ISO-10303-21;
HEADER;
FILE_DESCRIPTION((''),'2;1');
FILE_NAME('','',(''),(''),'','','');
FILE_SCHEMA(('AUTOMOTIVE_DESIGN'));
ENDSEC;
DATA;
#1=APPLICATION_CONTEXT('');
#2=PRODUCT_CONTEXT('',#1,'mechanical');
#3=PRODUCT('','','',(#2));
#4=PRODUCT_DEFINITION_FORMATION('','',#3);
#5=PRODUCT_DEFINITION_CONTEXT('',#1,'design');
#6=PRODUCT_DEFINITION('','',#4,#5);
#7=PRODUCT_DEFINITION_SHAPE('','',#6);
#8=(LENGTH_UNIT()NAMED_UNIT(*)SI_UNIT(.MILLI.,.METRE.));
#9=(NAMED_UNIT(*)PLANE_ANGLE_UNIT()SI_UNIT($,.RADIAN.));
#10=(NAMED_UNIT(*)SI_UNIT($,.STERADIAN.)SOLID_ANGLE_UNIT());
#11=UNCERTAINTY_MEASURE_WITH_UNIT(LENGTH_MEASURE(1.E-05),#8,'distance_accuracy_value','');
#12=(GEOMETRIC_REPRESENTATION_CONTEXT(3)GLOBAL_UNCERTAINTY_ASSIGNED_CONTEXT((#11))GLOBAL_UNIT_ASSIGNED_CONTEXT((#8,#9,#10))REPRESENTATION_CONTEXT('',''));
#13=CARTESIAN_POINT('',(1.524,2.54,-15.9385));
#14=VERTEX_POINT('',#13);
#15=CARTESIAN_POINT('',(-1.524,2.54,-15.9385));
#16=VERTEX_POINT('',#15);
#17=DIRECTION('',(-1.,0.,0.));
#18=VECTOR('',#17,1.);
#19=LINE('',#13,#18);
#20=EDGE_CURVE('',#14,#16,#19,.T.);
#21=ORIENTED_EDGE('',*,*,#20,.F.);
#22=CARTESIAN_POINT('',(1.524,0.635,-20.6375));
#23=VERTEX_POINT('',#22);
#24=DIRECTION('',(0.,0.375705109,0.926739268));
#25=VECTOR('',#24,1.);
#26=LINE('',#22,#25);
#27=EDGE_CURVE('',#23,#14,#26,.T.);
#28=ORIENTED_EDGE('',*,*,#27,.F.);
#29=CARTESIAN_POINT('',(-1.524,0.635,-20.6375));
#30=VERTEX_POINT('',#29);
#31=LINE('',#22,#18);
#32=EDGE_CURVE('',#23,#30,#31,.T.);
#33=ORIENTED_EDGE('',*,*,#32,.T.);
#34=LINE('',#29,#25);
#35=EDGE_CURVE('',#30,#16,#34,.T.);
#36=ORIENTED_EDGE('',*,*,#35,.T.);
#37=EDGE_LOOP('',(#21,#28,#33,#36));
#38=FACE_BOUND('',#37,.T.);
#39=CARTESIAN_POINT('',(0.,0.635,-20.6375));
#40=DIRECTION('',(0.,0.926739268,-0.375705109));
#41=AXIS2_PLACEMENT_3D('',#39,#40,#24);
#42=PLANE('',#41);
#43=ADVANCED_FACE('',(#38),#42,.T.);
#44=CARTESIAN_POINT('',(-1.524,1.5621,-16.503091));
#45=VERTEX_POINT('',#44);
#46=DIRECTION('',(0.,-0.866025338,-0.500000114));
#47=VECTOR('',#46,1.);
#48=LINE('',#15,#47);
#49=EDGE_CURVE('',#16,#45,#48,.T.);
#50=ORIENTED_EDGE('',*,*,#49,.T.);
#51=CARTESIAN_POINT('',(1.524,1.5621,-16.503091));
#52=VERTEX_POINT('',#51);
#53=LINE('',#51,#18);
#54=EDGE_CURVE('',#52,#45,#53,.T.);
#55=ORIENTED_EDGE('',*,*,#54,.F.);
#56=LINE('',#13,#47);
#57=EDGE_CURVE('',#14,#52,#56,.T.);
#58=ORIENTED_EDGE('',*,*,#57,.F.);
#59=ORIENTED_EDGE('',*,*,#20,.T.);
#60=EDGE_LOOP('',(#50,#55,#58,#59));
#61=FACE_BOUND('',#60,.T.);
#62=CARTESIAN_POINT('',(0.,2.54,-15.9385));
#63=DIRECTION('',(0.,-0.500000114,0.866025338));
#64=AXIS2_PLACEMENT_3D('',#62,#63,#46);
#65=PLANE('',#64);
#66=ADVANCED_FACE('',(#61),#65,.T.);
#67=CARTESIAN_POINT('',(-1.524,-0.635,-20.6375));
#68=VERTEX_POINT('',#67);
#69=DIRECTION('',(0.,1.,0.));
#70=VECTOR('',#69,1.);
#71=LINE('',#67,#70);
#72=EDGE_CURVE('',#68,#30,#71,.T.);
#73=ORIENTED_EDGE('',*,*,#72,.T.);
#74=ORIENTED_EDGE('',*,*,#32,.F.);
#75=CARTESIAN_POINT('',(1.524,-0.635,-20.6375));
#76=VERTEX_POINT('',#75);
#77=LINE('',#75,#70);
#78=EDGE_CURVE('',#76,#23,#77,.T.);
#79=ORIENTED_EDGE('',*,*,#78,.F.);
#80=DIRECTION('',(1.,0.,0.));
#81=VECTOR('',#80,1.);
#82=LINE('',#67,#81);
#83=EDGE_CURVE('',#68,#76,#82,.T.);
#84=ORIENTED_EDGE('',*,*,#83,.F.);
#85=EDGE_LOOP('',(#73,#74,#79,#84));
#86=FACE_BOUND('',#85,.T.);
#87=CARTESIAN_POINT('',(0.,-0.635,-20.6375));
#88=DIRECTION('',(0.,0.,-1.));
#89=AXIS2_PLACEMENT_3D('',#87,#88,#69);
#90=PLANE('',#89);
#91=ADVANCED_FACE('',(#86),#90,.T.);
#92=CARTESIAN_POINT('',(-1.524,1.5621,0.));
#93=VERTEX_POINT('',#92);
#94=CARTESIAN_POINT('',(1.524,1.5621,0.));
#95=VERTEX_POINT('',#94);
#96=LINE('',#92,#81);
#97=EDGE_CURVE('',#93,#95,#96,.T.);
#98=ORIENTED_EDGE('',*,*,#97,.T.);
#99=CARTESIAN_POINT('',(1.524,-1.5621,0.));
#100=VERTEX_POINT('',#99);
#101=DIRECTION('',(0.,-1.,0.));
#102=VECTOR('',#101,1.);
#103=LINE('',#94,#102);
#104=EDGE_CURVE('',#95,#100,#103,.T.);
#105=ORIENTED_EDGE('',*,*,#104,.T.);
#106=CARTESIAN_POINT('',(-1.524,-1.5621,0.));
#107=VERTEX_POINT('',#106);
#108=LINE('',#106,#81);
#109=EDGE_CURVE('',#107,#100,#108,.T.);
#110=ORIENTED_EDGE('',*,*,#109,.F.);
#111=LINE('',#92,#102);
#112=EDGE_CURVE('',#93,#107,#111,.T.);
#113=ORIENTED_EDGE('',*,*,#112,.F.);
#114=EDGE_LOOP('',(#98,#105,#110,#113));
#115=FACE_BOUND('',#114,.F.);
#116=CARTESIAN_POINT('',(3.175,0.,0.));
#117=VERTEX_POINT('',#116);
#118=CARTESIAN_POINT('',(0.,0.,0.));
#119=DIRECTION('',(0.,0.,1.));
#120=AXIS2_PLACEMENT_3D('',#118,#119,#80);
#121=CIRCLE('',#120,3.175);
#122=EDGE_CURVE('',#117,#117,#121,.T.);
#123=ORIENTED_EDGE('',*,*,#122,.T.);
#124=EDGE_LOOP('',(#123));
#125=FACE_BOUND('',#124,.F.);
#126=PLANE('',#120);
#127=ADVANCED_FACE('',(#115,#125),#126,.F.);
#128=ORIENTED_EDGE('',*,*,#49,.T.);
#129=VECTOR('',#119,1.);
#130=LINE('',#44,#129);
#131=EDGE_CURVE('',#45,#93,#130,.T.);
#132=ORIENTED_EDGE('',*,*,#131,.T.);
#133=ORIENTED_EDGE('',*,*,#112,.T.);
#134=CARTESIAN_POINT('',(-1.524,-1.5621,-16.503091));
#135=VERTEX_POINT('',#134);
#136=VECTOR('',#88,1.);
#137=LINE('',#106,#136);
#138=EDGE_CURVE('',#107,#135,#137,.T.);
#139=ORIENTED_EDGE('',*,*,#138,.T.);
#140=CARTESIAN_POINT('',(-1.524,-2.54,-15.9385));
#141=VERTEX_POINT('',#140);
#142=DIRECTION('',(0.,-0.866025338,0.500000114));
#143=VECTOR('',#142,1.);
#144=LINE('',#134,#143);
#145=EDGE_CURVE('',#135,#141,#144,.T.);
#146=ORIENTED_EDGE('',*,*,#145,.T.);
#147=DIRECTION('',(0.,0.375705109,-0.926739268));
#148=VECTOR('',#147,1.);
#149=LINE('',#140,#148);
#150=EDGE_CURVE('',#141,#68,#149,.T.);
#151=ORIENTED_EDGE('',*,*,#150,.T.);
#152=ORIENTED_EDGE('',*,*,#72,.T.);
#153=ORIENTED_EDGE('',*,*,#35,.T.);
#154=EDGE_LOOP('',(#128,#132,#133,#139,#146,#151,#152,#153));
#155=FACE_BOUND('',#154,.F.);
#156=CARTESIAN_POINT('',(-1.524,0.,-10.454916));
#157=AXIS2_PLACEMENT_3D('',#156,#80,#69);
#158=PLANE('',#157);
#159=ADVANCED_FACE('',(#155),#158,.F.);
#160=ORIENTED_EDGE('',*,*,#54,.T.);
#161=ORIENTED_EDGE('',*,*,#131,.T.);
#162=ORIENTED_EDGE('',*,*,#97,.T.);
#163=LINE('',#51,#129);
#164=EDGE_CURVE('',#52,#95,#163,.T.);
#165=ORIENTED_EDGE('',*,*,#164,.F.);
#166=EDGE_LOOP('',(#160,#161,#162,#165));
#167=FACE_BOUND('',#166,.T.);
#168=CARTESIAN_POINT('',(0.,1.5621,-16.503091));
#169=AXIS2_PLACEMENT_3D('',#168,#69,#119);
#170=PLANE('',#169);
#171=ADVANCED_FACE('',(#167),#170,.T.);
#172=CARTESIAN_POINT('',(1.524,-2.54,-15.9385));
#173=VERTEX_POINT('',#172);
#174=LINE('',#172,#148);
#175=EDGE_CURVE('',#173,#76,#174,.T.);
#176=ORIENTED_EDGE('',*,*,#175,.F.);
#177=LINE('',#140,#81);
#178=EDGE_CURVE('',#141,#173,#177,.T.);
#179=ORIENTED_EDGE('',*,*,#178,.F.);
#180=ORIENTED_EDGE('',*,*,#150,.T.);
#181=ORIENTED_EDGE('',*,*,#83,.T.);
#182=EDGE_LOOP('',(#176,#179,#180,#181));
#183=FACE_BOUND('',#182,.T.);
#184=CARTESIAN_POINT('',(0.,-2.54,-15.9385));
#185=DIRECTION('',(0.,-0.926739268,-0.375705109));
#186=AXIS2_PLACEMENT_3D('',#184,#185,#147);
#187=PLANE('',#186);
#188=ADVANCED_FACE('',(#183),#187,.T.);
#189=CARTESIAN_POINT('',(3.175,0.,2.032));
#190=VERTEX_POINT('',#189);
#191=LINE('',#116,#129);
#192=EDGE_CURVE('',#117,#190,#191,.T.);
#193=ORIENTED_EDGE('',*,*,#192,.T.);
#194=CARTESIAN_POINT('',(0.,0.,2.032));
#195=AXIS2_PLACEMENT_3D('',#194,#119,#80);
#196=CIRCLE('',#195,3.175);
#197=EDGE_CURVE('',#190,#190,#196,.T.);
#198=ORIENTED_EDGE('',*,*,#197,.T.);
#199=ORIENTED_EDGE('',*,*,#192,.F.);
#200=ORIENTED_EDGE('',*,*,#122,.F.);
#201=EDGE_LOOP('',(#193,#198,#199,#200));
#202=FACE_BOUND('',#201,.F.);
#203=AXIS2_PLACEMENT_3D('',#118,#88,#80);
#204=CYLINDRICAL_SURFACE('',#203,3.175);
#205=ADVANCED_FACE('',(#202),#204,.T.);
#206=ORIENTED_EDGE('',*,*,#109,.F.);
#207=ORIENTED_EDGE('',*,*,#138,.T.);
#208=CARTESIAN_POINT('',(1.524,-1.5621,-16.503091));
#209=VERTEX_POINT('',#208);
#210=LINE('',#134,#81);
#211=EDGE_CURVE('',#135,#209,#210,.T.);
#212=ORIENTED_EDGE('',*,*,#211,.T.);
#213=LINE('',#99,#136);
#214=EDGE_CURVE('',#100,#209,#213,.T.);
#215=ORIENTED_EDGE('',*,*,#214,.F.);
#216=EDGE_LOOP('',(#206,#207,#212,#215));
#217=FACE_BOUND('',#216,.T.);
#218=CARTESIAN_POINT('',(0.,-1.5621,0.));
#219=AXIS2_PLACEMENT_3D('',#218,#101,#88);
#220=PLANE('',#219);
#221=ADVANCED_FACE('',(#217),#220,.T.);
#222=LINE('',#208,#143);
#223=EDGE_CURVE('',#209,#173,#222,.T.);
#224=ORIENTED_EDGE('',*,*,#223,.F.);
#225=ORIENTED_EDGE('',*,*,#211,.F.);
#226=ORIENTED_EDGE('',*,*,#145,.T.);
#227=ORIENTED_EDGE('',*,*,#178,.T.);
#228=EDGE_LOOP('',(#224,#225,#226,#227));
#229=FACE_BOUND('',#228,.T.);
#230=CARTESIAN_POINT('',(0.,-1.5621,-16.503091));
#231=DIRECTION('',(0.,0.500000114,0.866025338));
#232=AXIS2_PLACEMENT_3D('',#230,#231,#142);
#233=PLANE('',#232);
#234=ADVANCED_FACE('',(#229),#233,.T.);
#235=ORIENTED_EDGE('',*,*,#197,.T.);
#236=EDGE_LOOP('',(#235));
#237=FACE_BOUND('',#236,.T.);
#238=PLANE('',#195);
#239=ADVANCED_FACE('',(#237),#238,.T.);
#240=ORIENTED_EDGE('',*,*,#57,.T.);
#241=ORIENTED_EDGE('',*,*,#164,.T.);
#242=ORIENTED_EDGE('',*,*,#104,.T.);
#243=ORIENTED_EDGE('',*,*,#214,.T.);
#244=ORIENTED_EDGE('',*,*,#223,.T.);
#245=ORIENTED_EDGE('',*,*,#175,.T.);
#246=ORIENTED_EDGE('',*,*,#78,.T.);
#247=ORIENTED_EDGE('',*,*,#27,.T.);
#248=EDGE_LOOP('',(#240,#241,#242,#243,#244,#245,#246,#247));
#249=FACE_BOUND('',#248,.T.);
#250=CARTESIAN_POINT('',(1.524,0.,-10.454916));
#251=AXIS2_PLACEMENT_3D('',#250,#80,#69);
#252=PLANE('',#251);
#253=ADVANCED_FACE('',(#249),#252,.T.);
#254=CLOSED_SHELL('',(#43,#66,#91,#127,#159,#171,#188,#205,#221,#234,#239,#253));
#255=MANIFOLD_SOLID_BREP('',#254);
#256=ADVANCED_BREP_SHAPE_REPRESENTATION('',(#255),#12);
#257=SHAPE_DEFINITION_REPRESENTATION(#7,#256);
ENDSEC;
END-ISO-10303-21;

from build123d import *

# Parameters (mm, degrees)
F0_R     = 3.175
F1_DEPTH = 2.032
F3_DEPTH = 1.524


with BuildPart() as f1:
    # F0 (on Top) → F1 (new body)
    with BuildSketch(Plane.XY):
        Circle(F0_R)
    extrude(amount=F1_DEPTH)

    # F2 (on Right) → F3 (join, symmetric)
    with BuildSketch(Plane.YZ):
        Polygon((1.5621, -16.503091), (1.5621, 0), (-1.5621, 0), (-1.5621, -16.503091), (-2.54, -15.9385), (-0.635, -20.6375), (0.635, -20.6375), (2.54, -15.9385), align=None)
    extrude(amount=F3_DEPTH, both=True)


solid = f1.part
